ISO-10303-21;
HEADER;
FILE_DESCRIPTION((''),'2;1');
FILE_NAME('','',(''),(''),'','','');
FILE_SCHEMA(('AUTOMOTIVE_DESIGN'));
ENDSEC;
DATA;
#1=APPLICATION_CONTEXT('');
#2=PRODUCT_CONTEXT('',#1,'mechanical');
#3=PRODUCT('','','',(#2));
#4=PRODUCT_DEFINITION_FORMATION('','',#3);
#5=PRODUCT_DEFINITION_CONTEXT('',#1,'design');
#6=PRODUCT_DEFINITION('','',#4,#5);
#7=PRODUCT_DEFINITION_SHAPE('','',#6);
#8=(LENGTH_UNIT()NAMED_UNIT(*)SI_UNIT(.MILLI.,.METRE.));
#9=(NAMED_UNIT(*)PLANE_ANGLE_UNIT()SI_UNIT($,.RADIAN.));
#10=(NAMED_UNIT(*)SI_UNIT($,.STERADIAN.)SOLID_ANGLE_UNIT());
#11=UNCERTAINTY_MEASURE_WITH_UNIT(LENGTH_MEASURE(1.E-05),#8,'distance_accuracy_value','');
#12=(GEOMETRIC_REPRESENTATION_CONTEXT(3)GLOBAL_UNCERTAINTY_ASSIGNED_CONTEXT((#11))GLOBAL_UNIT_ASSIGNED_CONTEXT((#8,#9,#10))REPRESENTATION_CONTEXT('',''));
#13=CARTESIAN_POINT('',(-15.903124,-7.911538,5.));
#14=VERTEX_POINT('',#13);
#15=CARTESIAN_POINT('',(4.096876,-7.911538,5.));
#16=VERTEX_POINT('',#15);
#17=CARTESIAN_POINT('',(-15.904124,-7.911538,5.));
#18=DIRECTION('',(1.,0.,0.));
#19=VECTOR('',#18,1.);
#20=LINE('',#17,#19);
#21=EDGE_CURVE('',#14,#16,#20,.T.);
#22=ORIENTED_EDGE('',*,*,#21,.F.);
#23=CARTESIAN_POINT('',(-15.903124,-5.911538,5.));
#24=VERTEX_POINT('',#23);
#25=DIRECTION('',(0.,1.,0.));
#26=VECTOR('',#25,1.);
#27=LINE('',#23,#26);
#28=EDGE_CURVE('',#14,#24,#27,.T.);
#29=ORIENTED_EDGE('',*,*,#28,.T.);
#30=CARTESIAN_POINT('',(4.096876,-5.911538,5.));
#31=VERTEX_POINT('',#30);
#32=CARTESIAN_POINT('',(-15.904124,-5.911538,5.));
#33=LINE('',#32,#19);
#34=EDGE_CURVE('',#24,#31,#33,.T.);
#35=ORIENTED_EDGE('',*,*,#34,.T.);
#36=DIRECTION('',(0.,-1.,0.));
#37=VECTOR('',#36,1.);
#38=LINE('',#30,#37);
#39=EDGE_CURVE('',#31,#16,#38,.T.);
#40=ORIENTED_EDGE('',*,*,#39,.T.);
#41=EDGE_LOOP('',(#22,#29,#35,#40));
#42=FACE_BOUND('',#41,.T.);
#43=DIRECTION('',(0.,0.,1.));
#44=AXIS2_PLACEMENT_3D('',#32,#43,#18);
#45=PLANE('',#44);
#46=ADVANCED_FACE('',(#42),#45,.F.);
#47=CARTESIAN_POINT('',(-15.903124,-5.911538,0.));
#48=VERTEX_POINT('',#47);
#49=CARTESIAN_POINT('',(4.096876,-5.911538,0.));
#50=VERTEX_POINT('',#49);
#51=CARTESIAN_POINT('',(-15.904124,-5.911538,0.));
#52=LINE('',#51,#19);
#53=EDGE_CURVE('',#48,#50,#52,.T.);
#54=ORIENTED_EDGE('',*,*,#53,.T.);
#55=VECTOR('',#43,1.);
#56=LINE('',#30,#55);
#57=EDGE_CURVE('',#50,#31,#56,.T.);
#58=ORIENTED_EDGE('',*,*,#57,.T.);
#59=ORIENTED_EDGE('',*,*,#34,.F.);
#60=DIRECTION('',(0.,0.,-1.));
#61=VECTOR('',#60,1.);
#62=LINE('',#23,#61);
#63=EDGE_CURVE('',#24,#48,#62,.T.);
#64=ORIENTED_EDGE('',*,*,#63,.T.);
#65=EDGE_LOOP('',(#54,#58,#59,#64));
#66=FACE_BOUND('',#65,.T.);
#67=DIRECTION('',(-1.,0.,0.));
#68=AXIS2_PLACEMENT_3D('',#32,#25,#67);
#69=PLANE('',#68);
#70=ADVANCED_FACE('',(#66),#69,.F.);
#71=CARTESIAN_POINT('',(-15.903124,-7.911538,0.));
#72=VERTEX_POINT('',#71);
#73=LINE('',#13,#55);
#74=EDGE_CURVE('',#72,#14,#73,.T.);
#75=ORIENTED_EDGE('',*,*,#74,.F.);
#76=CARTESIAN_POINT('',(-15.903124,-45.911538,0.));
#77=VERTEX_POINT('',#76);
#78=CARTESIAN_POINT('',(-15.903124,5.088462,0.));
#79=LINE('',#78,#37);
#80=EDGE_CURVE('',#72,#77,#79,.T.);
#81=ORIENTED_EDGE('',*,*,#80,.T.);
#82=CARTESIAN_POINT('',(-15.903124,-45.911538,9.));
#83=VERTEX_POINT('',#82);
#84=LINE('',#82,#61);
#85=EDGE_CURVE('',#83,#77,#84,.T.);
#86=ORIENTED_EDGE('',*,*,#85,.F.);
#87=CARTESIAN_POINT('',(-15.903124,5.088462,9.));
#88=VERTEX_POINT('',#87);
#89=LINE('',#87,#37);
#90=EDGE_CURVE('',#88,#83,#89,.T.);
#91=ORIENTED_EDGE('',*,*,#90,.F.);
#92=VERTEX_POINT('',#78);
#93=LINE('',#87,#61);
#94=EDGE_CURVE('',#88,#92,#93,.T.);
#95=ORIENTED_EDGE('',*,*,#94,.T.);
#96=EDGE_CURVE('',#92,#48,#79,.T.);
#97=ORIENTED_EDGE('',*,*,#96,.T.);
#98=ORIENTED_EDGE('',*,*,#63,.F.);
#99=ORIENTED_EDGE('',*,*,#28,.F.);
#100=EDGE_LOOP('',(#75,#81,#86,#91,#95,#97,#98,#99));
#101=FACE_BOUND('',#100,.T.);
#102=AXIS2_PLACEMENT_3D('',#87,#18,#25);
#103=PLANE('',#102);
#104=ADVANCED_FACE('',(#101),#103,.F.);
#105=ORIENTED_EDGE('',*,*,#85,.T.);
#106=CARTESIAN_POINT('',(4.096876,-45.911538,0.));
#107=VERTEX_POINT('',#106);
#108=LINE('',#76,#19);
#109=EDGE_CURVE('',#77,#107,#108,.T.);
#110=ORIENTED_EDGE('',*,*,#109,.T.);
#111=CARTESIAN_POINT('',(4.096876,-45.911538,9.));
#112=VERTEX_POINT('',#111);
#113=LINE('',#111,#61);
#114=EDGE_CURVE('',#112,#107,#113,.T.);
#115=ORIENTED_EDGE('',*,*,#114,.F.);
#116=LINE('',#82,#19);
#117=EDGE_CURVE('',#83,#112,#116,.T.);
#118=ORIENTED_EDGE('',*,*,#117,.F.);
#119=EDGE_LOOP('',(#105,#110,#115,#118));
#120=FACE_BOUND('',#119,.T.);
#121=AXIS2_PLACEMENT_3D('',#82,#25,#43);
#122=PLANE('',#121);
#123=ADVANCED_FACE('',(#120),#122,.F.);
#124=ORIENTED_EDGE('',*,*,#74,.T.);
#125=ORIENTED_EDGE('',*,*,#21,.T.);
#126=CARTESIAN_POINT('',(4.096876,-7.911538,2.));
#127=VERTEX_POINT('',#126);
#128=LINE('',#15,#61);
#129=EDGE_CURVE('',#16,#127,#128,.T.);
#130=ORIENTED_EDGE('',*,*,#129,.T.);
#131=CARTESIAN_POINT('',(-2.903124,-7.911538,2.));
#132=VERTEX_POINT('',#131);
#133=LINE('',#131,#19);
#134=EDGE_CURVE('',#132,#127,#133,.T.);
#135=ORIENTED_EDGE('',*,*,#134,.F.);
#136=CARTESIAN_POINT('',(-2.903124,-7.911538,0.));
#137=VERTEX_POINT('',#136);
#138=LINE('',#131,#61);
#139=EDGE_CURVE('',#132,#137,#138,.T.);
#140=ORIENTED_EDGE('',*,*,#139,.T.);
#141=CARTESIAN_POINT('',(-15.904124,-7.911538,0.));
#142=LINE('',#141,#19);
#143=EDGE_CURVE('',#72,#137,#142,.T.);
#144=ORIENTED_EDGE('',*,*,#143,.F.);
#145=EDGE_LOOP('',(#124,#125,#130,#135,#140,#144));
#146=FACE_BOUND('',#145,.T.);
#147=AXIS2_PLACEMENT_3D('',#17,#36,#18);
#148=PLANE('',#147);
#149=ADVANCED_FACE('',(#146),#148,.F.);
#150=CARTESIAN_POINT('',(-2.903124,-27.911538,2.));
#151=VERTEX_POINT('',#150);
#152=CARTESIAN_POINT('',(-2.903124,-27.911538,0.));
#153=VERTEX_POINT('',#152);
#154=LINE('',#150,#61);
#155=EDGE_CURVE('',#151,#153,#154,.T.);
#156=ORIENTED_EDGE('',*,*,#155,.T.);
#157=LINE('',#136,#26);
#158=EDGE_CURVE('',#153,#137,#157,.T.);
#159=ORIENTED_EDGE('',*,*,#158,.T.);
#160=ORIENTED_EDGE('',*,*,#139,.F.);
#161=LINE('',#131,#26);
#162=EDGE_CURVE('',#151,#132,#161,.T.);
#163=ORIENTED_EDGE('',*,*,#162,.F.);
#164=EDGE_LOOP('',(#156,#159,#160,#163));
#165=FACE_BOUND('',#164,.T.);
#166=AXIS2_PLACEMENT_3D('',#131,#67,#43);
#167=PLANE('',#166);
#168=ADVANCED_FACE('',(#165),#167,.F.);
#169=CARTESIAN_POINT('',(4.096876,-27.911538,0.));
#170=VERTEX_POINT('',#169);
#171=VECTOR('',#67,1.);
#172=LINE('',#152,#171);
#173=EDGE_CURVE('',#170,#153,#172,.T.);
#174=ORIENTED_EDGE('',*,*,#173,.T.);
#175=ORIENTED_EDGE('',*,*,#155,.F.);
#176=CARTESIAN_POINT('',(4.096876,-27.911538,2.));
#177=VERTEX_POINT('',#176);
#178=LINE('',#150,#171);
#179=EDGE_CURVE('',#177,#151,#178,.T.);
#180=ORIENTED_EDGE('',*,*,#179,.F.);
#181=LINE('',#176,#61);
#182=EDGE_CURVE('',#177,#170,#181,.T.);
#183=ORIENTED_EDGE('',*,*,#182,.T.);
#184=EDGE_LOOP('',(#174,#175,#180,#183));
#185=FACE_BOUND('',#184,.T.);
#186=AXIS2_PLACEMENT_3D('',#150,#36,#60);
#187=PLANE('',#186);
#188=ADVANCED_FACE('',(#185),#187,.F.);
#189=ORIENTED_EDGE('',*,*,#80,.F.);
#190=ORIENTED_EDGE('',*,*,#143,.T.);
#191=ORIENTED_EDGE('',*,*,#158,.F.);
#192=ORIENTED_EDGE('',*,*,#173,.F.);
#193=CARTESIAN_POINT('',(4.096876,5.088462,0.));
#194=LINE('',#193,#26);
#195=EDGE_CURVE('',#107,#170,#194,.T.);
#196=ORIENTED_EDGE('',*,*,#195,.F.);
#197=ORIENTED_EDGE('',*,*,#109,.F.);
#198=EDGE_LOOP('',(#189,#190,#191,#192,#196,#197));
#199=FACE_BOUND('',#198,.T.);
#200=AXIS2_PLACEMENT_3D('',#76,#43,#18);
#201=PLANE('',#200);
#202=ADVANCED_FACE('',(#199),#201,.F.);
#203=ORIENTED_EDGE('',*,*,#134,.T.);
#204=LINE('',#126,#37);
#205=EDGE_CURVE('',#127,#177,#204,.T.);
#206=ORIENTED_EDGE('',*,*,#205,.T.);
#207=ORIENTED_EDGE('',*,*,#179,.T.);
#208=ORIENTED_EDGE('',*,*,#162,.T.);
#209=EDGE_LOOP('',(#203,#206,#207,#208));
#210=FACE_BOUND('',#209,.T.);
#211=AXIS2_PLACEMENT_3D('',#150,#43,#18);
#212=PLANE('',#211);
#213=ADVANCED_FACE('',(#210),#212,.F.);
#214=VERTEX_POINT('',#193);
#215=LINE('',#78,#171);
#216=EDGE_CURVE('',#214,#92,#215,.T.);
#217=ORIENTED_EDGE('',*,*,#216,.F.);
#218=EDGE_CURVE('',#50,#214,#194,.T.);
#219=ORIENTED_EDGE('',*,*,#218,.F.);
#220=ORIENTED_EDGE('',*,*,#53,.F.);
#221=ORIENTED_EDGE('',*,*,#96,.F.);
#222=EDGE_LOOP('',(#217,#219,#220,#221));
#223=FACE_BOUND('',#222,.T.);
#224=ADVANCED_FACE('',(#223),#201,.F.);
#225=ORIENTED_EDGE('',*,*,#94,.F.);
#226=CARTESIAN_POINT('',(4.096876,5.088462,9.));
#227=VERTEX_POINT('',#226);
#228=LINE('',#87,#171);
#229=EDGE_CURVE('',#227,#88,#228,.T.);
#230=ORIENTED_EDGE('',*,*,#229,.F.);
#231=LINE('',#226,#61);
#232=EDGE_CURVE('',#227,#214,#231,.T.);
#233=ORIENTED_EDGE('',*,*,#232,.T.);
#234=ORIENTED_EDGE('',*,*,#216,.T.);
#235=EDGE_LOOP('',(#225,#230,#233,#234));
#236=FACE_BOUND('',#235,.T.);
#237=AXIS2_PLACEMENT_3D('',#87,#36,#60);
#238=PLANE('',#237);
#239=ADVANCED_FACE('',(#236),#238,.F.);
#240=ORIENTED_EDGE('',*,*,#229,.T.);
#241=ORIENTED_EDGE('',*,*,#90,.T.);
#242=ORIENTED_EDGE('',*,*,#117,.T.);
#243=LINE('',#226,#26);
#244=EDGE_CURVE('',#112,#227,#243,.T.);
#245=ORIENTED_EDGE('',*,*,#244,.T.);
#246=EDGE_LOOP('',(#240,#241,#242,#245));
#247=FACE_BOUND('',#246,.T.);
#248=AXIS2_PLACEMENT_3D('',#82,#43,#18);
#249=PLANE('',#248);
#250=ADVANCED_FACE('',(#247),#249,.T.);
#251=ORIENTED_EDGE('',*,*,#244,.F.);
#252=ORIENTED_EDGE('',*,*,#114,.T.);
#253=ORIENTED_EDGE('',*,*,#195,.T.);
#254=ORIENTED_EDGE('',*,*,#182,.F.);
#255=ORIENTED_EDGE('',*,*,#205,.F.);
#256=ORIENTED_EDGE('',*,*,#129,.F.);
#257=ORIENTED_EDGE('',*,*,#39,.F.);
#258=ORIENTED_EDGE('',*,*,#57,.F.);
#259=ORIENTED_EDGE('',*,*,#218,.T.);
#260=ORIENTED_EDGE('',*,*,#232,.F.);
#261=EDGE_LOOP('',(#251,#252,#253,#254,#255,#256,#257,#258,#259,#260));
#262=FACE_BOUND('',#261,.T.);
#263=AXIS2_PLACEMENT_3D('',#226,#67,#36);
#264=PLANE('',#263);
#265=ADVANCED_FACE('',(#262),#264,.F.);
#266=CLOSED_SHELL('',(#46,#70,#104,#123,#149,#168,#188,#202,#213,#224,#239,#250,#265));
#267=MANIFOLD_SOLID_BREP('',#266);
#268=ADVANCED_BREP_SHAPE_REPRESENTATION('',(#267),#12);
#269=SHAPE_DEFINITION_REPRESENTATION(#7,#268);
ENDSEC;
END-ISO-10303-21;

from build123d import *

# Parameters (mm, degrees)
ESQUISSE1_W             = 20
ESQUISSE1_H             = 51
EXTRUSION1_DEPTH        = 9
ESQUISSE3_W             = 7
ESQUISSE3_H             = 20
ENL_V_MAT_EXTRU_1_DEPTH = 2
ENL_V_MAT_EXTRU_2_REACH = 52.881
ESQUISSE4_W             = 5
ESQUISSE4_H             = 2


with BuildPart() as part:
    # Esquisse1 → Extrusion1 (new body)
    with BuildSketch(Plane.XY):
        with Locations((-5.903123543, -20.411538462)):
            Rectangle(ESQUISSE1_W, ESQUISSE1_H)
    extrude(amount=EXTRUSION1_DEPTH)

    # Esquisse3 → Enlèv. mat.-Extru.1 (cut)
    with BuildSketch(Plane(origin=(0, 0, 0), x_dir=(-1, 0, 0), z_dir=(0, 0, -1))):
        with Locations((-0.596876457, -17.911538462)):
            Rectangle(ESQUISSE3_W, ESQUISSE3_H)
    extrude(amount=-ENL_V_MAT_EXTRU_1_DEPTH, mode=Mode.SUBTRACT)

    # Esquisse4 → Enlèv. mat.-Extru.2 (cut, up to next)
    with BuildSketch(Plane(origin=(4.096876457, 0, 0), x_dir=(0, 0, -1), z_dir=(1, 0, 0)), mode=Mode.PRIVATE) as enl_v_mat_extru_2_sk1:
        with Locations((-2.5, -6.911538462)):
            Rectangle(ESQUISSE4_W, ESQUISSE4_H)
    enl_v_mat_extru_2_tool1 = extrude(enl_v_mat_extru_2_sk1.sketch, amount=-ENL_V_MAT_EXTRU_2_REACH, mode=Mode.PRIVATE) & part.part
    add(enl_v_mat_extru_2_tool1.solids().sort_by_distance((4.096876, -6.911538, 2.5))[0], mode=Mode.SUBTRACT)


solid = part.part
